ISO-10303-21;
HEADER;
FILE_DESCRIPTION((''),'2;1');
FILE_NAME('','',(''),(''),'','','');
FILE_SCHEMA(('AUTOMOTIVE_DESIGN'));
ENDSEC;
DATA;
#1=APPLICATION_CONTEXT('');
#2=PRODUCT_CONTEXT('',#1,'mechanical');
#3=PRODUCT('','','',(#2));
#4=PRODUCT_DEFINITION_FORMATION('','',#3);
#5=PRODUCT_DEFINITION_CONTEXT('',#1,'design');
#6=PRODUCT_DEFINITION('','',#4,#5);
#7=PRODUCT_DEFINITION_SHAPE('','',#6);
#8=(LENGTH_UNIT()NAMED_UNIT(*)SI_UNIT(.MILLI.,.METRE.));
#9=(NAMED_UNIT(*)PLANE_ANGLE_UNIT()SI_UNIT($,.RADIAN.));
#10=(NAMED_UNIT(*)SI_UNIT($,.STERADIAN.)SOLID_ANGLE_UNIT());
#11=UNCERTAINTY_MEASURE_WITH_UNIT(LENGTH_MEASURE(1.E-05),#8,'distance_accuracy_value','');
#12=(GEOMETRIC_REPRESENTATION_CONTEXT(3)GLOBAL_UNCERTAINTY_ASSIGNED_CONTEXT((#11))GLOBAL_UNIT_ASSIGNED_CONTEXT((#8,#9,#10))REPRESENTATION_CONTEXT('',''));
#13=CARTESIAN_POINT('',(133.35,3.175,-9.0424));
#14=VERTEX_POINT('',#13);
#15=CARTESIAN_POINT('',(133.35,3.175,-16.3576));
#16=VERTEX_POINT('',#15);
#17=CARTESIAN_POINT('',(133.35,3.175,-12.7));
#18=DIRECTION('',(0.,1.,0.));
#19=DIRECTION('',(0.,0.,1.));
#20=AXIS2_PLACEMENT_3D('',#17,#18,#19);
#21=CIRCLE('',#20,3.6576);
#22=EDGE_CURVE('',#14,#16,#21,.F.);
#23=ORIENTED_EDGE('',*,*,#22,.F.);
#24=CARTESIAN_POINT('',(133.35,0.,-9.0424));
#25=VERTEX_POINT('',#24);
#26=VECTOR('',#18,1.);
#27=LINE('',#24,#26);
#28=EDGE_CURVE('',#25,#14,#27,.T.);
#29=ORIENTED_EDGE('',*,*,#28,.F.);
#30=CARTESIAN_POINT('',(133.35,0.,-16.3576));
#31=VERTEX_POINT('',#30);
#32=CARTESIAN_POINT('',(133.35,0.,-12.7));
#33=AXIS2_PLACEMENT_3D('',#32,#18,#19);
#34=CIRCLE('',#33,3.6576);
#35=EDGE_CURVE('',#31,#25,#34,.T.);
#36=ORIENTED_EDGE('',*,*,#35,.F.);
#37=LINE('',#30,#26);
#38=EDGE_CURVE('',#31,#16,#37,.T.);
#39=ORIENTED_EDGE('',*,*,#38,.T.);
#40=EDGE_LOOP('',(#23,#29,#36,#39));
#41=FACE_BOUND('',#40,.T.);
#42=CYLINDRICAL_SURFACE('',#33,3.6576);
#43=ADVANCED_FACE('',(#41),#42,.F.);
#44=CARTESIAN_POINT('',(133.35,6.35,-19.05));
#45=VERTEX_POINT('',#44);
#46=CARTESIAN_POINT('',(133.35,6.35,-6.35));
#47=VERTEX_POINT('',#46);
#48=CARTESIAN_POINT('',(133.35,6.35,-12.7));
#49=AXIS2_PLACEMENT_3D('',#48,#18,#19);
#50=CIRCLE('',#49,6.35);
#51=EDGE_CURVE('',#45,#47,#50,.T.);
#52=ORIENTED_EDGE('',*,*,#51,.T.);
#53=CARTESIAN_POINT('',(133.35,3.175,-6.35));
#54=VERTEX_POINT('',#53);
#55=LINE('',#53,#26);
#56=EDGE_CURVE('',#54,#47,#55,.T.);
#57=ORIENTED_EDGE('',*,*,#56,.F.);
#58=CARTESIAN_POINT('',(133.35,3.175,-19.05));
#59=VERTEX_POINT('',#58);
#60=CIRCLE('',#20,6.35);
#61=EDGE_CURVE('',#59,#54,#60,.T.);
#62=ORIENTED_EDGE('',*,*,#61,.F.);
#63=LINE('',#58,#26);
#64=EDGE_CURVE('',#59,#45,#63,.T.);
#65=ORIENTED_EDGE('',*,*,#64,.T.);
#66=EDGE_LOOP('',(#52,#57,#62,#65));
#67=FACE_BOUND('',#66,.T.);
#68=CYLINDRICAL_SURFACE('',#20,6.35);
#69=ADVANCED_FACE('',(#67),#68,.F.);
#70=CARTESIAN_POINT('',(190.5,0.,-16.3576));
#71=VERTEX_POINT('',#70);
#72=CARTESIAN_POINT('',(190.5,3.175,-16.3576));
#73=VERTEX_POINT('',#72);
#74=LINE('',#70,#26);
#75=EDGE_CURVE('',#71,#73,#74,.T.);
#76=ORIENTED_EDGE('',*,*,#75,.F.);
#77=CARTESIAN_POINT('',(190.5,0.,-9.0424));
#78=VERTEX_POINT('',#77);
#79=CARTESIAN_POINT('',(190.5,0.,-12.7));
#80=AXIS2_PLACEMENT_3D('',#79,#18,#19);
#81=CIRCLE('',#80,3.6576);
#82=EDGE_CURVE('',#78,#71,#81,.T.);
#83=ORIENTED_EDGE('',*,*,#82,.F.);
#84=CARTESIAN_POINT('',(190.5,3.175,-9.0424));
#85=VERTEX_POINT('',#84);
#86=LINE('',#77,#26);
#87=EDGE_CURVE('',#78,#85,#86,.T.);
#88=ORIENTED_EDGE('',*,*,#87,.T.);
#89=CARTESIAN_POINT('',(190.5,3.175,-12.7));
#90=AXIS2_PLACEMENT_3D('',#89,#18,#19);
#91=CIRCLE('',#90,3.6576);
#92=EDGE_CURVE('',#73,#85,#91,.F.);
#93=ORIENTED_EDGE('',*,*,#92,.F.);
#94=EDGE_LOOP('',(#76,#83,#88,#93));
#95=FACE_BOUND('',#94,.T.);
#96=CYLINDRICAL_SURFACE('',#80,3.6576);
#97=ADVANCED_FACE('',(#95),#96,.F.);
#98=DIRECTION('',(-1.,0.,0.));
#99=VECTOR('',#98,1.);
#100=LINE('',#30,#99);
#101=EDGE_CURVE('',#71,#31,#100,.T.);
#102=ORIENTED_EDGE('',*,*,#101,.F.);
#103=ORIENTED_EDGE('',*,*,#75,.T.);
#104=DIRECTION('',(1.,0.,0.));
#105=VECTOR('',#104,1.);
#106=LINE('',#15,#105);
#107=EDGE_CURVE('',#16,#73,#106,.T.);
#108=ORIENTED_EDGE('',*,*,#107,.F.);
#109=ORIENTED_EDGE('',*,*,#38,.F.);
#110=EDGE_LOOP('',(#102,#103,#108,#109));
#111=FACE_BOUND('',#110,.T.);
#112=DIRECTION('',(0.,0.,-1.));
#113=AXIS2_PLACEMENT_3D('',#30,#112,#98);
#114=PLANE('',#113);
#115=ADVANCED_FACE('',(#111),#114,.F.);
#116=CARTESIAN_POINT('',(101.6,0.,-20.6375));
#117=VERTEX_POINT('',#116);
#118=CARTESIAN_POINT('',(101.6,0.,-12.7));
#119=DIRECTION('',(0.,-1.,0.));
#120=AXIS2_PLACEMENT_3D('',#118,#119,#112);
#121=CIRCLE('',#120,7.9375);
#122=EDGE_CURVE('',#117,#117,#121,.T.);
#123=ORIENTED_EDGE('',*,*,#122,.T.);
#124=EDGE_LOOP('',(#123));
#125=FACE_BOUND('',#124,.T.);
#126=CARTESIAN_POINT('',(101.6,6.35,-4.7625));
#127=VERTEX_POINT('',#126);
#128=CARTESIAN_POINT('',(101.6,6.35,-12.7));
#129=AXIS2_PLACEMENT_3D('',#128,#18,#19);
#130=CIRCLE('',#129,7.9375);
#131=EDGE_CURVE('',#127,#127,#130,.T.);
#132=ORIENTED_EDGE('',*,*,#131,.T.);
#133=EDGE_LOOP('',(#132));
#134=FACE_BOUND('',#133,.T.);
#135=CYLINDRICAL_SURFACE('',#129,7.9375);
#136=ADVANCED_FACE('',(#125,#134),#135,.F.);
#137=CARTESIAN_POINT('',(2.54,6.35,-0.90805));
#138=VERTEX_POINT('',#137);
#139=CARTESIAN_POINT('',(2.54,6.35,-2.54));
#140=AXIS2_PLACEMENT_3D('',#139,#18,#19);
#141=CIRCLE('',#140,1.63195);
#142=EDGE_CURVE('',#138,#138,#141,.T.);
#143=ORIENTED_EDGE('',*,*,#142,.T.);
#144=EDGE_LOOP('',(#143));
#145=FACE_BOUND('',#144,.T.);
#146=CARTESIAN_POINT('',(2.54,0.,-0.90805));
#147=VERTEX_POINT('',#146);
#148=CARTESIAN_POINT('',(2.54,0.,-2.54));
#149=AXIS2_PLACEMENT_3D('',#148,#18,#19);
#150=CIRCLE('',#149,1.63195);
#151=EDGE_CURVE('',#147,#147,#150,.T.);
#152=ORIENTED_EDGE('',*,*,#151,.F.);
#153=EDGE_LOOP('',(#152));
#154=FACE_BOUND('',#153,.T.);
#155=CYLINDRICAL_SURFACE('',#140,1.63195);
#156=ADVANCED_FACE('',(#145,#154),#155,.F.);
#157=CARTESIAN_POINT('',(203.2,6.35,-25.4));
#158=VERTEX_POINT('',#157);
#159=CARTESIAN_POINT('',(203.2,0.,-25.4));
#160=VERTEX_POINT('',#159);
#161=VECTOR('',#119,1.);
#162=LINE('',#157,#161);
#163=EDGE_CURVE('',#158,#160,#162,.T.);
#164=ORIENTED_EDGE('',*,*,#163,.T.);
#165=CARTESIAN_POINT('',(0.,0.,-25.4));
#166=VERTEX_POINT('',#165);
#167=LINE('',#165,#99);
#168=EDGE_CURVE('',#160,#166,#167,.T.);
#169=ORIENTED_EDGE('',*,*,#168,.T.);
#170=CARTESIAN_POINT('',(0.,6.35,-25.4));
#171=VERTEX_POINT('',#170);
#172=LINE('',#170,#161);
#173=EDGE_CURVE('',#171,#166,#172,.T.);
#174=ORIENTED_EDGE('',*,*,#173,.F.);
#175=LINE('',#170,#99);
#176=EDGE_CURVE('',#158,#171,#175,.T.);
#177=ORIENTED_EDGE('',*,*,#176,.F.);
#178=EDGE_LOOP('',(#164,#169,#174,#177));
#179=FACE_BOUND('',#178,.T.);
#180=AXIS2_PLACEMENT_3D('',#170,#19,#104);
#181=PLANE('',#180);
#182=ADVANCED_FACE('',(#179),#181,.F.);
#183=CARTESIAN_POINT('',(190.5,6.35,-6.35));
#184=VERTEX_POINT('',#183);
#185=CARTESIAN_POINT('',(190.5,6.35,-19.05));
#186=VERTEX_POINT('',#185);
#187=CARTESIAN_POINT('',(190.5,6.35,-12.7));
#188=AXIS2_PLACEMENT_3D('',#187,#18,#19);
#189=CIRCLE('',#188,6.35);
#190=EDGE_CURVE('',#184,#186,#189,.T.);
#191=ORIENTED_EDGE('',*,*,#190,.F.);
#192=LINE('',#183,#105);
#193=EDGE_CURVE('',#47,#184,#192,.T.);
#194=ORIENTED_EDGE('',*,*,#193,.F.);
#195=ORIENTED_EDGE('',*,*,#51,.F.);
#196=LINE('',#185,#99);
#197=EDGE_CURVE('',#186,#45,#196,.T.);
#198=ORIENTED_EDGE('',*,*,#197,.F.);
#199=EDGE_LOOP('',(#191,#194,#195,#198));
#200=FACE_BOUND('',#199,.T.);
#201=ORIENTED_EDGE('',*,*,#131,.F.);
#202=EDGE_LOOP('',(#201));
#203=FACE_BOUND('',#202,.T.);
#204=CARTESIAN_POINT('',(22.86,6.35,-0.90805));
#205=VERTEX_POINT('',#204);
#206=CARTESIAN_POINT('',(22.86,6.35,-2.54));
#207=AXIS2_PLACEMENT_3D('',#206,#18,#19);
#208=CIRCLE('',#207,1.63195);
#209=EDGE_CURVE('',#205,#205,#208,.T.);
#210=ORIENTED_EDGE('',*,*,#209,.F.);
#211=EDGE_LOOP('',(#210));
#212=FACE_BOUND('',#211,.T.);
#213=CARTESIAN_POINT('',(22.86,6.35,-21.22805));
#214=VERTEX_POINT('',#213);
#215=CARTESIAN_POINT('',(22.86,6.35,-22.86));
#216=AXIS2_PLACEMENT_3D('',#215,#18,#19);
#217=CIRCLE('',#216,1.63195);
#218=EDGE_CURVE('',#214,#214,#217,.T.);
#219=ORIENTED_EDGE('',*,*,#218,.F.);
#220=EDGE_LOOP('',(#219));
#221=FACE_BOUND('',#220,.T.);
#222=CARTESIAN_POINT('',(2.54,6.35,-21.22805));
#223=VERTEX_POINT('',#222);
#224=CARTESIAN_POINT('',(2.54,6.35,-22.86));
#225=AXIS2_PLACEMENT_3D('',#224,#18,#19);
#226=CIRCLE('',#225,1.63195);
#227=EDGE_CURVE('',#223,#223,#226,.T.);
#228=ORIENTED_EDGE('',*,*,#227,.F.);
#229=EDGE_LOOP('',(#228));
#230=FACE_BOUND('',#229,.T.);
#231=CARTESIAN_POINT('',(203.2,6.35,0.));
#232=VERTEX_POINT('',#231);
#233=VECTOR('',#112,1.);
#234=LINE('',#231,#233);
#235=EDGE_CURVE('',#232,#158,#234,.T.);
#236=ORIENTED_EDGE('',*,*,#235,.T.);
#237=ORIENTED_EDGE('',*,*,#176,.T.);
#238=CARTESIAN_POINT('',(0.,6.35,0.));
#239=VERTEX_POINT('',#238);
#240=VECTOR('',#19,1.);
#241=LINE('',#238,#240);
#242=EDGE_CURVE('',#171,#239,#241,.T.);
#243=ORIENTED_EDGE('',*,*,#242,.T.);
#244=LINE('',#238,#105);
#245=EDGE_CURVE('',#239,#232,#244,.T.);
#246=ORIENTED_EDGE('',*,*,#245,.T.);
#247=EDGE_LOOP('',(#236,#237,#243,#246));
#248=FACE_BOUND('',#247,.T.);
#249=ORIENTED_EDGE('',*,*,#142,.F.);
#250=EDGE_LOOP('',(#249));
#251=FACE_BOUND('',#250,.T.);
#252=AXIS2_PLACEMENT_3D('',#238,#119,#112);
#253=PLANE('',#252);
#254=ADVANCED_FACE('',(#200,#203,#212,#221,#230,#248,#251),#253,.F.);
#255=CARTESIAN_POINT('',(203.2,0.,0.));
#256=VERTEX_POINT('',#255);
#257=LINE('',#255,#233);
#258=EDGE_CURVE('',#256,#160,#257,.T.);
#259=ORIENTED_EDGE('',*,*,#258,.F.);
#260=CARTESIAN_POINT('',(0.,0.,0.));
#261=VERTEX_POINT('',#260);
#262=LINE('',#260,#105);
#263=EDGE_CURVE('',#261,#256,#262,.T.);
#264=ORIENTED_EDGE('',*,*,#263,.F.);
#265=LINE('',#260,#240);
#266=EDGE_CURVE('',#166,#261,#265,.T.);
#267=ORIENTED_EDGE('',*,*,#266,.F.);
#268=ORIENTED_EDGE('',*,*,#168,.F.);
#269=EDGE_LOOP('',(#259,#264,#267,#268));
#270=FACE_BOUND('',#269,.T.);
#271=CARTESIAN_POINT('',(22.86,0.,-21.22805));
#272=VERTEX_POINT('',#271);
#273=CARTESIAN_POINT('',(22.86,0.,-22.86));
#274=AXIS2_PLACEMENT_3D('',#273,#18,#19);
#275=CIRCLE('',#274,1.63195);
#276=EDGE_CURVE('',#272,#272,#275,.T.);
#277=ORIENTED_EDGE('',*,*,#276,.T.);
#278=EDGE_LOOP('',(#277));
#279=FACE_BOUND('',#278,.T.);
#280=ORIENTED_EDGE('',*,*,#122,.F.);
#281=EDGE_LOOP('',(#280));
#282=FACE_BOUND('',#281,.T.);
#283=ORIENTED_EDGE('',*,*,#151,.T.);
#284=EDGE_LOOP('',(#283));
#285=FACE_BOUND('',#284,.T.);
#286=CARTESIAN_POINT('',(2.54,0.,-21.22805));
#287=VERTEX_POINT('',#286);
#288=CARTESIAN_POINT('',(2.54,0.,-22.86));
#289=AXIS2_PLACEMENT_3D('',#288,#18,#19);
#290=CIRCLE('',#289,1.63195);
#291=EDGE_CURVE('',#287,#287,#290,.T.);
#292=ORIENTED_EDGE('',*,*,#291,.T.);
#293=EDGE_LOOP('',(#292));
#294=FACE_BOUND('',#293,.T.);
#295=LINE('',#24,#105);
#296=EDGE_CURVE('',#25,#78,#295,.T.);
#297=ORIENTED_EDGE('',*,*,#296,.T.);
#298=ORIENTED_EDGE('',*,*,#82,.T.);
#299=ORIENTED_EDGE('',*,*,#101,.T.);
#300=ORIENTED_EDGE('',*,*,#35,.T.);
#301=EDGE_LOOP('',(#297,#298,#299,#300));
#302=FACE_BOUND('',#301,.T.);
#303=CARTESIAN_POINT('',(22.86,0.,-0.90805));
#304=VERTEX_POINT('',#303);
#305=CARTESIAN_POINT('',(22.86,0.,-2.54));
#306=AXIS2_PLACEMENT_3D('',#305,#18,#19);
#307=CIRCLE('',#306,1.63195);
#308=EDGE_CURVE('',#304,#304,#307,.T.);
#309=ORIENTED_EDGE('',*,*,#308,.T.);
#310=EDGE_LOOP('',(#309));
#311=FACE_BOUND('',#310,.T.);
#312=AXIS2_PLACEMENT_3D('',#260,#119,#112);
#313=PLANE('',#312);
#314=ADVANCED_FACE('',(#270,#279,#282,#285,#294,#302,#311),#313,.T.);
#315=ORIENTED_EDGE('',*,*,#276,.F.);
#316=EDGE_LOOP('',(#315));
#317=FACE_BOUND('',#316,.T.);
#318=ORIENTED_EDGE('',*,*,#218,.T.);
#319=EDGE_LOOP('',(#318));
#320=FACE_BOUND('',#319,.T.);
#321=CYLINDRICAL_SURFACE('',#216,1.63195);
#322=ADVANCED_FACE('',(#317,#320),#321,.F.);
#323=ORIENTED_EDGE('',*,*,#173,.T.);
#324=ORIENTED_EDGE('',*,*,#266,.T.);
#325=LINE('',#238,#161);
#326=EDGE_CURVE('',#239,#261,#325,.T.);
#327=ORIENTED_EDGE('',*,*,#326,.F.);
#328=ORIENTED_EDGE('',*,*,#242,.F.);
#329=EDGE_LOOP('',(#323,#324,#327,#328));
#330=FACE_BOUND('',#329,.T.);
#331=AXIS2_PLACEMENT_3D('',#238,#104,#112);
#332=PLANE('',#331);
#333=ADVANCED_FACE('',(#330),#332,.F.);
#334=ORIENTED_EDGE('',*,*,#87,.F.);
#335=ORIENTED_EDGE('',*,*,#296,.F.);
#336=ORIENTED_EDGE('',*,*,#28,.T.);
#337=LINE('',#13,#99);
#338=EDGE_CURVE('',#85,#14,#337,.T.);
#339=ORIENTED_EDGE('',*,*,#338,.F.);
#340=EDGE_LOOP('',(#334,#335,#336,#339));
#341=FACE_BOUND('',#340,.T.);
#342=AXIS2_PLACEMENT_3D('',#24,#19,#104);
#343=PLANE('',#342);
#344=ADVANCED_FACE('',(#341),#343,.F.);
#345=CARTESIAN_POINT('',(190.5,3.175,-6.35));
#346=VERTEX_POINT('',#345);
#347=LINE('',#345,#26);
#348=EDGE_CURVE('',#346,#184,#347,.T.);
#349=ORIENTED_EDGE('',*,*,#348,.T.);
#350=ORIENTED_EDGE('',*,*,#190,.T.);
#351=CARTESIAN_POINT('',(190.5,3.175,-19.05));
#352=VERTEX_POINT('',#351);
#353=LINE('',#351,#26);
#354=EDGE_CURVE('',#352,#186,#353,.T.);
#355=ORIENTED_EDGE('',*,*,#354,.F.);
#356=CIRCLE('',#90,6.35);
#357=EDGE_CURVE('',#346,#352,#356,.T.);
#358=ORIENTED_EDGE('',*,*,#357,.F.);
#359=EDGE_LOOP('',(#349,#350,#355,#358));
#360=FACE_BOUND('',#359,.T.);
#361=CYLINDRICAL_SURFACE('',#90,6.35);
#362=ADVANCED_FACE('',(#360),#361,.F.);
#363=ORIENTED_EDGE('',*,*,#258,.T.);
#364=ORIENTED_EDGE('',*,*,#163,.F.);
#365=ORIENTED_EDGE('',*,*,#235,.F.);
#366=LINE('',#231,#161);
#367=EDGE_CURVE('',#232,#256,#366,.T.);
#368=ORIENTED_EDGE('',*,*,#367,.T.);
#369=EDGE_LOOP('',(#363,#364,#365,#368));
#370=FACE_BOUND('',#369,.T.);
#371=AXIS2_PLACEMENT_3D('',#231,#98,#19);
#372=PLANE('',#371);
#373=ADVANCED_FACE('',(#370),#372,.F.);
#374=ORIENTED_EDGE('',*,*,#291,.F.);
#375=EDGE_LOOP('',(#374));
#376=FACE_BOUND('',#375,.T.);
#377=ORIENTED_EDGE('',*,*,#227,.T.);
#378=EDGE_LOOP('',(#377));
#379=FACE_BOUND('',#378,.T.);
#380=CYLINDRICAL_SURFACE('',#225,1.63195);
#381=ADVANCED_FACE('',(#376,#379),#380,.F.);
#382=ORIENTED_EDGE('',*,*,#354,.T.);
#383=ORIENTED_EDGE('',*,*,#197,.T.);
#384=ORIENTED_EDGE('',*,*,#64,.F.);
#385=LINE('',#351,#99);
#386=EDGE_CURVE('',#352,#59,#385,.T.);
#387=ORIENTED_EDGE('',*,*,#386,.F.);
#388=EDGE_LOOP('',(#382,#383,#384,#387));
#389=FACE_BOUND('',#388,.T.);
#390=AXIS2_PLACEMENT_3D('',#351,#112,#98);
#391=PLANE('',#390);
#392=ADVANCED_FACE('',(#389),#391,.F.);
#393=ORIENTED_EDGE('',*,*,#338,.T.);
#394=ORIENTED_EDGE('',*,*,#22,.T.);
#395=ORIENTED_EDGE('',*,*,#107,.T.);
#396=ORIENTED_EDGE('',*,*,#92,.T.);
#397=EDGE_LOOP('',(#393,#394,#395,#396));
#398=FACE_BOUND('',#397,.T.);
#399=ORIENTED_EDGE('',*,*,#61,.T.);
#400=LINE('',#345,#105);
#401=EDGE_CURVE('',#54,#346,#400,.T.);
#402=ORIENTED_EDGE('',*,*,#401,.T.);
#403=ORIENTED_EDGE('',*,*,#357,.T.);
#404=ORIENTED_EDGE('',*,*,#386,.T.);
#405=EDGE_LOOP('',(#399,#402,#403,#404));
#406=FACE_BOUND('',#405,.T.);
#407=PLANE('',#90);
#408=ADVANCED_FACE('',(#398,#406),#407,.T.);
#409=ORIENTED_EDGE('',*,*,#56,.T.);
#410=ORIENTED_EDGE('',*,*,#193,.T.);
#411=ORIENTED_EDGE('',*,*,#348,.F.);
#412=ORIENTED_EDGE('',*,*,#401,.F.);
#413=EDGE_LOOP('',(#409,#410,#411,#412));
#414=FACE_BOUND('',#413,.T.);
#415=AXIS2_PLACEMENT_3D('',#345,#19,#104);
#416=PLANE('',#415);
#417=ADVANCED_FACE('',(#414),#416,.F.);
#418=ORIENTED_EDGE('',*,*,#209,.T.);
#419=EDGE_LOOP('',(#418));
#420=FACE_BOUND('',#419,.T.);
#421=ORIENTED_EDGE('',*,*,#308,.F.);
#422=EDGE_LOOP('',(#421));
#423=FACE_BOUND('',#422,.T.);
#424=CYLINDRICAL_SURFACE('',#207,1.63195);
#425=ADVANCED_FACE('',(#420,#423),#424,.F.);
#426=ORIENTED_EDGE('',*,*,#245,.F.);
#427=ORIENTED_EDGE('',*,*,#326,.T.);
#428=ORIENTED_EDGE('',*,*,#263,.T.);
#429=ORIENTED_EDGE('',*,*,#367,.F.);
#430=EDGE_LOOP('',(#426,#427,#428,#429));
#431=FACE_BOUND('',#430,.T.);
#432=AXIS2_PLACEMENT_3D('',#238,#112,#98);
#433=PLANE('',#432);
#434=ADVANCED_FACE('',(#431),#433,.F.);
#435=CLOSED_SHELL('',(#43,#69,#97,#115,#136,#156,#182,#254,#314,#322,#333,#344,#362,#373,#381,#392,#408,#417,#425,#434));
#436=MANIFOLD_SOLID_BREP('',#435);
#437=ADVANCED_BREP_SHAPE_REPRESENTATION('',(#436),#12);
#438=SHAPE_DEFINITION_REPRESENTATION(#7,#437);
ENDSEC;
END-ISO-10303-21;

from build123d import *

# Parameters (mm, degrees)
SKETCH1_W                        = 203.2
SKETCH1_H                        = 25.4
BOSS_EXTRUDE1_DEPTH              = 6.35
F_5_8_0_625_DIAMETER_HOLE1_D     = 15.875
F_5_8_0_625_DIAMETER_HOLE1_DEPTH = 25.4
F_5_8_0_625_DIAMETER_HOLE1_TIP   = 4.769331164
CUT_EXTRUDE1_DEPTH               = 7.35
CUT_EXTRUDE2_DEPTH               = 3.175
F_4_CLEARANCE_HOLE1_D            = 3.2639


with BuildPart() as part:
    # Sketch1 → Boss-Extrude1 (new body)
    with BuildSketch(Plane(origin=(0, 0, 0), x_dir=(1, 0, 0), z_dir=(0, 1, 0))):
        with Locations((101.6, 12.7)):
            Rectangle(SKETCH1_W, SKETCH1_H)
    extrude(amount=BOSS_EXTRUDE1_DEPTH)

    # 5/8 (0.625) Diameter Hole1
    with Locations(Plane(origin=(0, 6.35, 0), x_dir=(1, 0, 0), z_dir=(0, 1, 0))):
        with Locations((101.6, 12.7)):
            Hole(F_5_8_0_625_DIAMETER_HOLE1_D / 2, depth=F_5_8_0_625_DIAMETER_HOLE1_DEPTH)
            with Locations((0, 0, -(F_5_8_0_625_DIAMETER_HOLE1_DEPTH + F_5_8_0_625_DIAMETER_HOLE1_TIP / 2))):  # 118° drill point
                Cone(0, F_5_8_0_625_DIAMETER_HOLE1_D / 2, F_5_8_0_625_DIAMETER_HOLE1_TIP, mode=Mode.SUBTRACT)

    # Sketch6 → Cut-Extrude1 (cut, through all)
    with BuildSketch(Plane(origin=(0, 6.35, 0), x_dir=(1, 0, 0), z_dir=(0, 1, 0))):
        with BuildLine():
            Line((133.35, 16.3576), (190.5, 16.3576))
            ThreePointArc((190.5, 16.3576), (194.1576, 12.7), (190.5, 9.0424))
            Line((190.5, 9.0424), (133.35, 9.0424))
            ThreePointArc((133.35, 9.0424), (129.6924, 12.7), (133.35, 16.3576))
        make_face()
    extrude(amount=-CUT_EXTRUDE1_DEPTH, mode=Mode.SUBTRACT)

    # Sketch7 → Cut-Extrude2 (cut)
    with BuildSketch(Plane(origin=(0, 6.35, 0), x_dir=(1, 0, 0), z_dir=(0, 1, 0))):
        with BuildLine():
            Line((190.5, 6.35), (133.35, 6.35))
            ThreePointArc((133.35, 6.35), (127, 12.7), (133.35, 19.05))
            Line((133.35, 19.05), (190.5, 19.05))
            ThreePointArc((190.5, 19.05), (196.85, 12.7), (190.5, 6.35))
        make_face()
    extrude(amount=-CUT_EXTRUDE2_DEPTH, mode=Mode.SUBTRACT)

    # #4 Clearance Hole1 (through all)
    with Locations(Plane(origin=(0, 6.35, 0), x_dir=(1, 0, 0), z_dir=(0, 1, 0))):
        with Locations((2.54, 22.86), (22.86, 22.86), (22.86, 2.54), (2.54, 2.54)):
            Hole(F_4_CLEARANCE_HOLE1_D / 2)


solid = part.part
